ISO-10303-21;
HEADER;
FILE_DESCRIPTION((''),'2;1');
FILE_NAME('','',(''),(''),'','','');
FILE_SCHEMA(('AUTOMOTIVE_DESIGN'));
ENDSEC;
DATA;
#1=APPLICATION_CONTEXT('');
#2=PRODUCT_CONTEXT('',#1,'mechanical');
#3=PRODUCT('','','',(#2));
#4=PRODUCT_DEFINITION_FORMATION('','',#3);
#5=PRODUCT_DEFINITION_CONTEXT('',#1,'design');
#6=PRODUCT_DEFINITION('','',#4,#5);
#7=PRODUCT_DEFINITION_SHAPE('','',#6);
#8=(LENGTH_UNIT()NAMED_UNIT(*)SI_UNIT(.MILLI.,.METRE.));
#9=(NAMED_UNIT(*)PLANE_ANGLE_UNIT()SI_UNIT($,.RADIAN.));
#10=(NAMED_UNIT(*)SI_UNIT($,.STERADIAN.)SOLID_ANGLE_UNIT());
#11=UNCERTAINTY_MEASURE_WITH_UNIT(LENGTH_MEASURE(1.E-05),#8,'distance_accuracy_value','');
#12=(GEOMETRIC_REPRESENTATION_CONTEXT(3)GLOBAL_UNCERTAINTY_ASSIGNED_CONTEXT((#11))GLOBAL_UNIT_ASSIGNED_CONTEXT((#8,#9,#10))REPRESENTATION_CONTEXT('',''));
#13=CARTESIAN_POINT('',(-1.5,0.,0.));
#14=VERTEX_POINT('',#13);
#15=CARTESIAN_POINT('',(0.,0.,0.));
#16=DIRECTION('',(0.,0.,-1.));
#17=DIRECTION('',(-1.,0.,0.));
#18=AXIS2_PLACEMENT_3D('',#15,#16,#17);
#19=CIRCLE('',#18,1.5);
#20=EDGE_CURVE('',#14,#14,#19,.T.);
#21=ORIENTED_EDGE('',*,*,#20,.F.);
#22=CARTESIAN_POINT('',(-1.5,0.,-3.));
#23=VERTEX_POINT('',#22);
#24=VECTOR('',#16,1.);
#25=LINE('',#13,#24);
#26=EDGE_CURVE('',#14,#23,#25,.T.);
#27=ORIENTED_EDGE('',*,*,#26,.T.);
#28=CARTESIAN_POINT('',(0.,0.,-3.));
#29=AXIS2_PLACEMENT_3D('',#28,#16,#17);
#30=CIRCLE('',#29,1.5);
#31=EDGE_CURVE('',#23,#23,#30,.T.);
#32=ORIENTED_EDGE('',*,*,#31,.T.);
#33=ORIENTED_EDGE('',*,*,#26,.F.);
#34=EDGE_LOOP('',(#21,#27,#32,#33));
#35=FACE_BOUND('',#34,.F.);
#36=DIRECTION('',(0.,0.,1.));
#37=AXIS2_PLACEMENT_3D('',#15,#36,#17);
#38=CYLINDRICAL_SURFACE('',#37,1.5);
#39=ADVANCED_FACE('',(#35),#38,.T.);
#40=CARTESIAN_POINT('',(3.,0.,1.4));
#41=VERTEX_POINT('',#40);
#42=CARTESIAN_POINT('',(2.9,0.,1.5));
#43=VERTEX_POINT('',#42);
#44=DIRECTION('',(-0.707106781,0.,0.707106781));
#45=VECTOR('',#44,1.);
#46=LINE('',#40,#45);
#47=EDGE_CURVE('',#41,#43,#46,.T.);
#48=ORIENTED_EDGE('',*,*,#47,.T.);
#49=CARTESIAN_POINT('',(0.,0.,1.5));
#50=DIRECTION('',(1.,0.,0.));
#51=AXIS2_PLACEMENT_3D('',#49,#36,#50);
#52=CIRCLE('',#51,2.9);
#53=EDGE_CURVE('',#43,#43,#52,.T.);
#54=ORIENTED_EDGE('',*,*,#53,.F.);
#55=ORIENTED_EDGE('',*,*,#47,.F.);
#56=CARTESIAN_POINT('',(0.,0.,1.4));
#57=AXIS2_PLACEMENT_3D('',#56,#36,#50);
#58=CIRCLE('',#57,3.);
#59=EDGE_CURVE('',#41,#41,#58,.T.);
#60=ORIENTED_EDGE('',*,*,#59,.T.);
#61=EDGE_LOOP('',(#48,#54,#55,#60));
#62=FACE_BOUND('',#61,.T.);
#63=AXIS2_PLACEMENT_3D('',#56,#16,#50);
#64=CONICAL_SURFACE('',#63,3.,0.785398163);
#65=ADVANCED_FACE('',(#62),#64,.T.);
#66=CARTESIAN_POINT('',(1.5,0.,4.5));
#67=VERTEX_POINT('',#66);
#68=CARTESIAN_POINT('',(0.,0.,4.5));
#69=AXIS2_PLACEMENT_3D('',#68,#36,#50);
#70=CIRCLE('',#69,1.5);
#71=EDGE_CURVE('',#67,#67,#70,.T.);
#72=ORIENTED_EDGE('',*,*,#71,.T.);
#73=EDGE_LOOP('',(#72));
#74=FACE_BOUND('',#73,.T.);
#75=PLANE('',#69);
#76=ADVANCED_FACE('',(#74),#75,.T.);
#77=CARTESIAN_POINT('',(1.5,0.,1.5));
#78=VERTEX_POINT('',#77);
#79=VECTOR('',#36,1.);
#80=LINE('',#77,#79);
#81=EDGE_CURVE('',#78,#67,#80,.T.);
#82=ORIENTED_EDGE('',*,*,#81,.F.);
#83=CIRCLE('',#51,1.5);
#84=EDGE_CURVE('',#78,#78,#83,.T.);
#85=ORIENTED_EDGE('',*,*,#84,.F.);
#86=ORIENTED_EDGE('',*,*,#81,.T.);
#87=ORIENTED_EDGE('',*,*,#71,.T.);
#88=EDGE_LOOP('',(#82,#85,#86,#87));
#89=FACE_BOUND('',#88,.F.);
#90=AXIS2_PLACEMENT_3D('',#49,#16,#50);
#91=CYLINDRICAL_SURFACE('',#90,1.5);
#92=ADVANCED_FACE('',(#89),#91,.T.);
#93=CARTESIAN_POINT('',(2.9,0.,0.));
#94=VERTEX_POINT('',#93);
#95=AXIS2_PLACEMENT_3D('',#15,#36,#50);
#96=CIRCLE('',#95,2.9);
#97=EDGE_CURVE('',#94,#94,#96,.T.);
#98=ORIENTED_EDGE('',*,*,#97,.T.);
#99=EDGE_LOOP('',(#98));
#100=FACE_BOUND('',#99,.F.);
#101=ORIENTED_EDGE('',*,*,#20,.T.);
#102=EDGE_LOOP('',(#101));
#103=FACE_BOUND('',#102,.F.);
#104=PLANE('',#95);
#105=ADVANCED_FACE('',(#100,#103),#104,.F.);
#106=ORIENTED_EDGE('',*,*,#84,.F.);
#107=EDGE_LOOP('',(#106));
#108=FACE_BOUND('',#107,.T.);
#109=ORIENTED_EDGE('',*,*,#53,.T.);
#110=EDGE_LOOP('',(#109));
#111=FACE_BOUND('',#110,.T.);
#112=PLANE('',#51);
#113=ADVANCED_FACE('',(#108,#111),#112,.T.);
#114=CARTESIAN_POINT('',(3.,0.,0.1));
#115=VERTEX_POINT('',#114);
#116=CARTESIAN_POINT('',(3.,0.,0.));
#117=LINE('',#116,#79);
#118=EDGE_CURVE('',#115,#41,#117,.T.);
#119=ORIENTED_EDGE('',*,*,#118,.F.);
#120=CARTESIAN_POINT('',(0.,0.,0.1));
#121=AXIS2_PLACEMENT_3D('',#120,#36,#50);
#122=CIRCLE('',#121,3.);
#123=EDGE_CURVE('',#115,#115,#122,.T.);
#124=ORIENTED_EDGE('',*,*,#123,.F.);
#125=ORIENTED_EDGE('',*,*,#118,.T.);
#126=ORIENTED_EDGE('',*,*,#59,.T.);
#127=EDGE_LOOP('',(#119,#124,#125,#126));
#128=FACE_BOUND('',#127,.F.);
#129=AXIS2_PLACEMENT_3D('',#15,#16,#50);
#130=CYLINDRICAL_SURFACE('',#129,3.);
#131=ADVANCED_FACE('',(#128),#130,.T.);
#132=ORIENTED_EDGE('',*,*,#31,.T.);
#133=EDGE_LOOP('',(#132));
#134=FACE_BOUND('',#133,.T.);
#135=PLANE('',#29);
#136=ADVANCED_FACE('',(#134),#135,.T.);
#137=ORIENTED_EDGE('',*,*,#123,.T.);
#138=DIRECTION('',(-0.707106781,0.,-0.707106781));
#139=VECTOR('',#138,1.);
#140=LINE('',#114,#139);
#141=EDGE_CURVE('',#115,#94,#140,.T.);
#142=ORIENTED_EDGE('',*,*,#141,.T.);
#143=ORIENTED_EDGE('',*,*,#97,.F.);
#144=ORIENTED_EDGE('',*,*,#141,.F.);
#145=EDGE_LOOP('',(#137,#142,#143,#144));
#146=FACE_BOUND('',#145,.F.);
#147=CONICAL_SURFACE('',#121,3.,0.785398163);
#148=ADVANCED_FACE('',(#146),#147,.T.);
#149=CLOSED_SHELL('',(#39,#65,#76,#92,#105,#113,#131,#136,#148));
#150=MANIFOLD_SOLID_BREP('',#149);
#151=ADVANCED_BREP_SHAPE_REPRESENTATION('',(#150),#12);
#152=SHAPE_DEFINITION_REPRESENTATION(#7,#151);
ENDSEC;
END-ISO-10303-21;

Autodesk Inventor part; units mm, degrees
ref_plane "YZ Plane" through (0, 0, 0) normal (1, 0, 0) x (0, 1, 0)
ref_plane "XZ Plane" through (0, 0, 0) normal (0, 1, 0) x (-1, 0, 0)
ref_plane "XY Plane" through (0, 0, 0) normal (0, 0, 1) x (1, 0, 0)
sketch "Sketch1" plane through (0, 0, 0) normal (0, 0, 1) x (1, 0, 0)
  circle A0 centre (0, 0) radius 3
  dimension "d0" = 6
extrude "Extrusion1" add sketch "Sketch1" along normal blind 1.5
sketch "Sketch2" plane through (0, 0, 1.5) normal (0, 0, 1) x (1, 0, 0)
  circle A0 centre (0, 0) radius 3 construction
  circle A1 centre (0, 0) radius 1.5
  dimension "d3" = 3
extrude "Extrusion2" add sketch "Sketch2" along normal blind 3
sketch "Sketch3" plane through (0, 0, 0) normal (0, 0, -1) x (-1, 0, 0)
  circle A0 centre (0, 0) radius 1.5
  dimension "d6" = 3
extrude "Extrusion3" add sketch "Sketch3" along normal blind 3
thread "Thread1" size "M3x0.5" class "6g" standard "ANSI Metric M Profile" full length
thread "Thread2" size "M3x0.5" class "6g" standard "ANSI Metric M Profile" full length
chamfer "Chamfer1" distance 0.1 angle 45 1 edges at (-3, 0, 1.5)
chamfer "Chamfer2" distance 0.1 angle 45 1 edges at (-3, 0, 0)
properties part number "threaded_coupler_m3x05_r01"
